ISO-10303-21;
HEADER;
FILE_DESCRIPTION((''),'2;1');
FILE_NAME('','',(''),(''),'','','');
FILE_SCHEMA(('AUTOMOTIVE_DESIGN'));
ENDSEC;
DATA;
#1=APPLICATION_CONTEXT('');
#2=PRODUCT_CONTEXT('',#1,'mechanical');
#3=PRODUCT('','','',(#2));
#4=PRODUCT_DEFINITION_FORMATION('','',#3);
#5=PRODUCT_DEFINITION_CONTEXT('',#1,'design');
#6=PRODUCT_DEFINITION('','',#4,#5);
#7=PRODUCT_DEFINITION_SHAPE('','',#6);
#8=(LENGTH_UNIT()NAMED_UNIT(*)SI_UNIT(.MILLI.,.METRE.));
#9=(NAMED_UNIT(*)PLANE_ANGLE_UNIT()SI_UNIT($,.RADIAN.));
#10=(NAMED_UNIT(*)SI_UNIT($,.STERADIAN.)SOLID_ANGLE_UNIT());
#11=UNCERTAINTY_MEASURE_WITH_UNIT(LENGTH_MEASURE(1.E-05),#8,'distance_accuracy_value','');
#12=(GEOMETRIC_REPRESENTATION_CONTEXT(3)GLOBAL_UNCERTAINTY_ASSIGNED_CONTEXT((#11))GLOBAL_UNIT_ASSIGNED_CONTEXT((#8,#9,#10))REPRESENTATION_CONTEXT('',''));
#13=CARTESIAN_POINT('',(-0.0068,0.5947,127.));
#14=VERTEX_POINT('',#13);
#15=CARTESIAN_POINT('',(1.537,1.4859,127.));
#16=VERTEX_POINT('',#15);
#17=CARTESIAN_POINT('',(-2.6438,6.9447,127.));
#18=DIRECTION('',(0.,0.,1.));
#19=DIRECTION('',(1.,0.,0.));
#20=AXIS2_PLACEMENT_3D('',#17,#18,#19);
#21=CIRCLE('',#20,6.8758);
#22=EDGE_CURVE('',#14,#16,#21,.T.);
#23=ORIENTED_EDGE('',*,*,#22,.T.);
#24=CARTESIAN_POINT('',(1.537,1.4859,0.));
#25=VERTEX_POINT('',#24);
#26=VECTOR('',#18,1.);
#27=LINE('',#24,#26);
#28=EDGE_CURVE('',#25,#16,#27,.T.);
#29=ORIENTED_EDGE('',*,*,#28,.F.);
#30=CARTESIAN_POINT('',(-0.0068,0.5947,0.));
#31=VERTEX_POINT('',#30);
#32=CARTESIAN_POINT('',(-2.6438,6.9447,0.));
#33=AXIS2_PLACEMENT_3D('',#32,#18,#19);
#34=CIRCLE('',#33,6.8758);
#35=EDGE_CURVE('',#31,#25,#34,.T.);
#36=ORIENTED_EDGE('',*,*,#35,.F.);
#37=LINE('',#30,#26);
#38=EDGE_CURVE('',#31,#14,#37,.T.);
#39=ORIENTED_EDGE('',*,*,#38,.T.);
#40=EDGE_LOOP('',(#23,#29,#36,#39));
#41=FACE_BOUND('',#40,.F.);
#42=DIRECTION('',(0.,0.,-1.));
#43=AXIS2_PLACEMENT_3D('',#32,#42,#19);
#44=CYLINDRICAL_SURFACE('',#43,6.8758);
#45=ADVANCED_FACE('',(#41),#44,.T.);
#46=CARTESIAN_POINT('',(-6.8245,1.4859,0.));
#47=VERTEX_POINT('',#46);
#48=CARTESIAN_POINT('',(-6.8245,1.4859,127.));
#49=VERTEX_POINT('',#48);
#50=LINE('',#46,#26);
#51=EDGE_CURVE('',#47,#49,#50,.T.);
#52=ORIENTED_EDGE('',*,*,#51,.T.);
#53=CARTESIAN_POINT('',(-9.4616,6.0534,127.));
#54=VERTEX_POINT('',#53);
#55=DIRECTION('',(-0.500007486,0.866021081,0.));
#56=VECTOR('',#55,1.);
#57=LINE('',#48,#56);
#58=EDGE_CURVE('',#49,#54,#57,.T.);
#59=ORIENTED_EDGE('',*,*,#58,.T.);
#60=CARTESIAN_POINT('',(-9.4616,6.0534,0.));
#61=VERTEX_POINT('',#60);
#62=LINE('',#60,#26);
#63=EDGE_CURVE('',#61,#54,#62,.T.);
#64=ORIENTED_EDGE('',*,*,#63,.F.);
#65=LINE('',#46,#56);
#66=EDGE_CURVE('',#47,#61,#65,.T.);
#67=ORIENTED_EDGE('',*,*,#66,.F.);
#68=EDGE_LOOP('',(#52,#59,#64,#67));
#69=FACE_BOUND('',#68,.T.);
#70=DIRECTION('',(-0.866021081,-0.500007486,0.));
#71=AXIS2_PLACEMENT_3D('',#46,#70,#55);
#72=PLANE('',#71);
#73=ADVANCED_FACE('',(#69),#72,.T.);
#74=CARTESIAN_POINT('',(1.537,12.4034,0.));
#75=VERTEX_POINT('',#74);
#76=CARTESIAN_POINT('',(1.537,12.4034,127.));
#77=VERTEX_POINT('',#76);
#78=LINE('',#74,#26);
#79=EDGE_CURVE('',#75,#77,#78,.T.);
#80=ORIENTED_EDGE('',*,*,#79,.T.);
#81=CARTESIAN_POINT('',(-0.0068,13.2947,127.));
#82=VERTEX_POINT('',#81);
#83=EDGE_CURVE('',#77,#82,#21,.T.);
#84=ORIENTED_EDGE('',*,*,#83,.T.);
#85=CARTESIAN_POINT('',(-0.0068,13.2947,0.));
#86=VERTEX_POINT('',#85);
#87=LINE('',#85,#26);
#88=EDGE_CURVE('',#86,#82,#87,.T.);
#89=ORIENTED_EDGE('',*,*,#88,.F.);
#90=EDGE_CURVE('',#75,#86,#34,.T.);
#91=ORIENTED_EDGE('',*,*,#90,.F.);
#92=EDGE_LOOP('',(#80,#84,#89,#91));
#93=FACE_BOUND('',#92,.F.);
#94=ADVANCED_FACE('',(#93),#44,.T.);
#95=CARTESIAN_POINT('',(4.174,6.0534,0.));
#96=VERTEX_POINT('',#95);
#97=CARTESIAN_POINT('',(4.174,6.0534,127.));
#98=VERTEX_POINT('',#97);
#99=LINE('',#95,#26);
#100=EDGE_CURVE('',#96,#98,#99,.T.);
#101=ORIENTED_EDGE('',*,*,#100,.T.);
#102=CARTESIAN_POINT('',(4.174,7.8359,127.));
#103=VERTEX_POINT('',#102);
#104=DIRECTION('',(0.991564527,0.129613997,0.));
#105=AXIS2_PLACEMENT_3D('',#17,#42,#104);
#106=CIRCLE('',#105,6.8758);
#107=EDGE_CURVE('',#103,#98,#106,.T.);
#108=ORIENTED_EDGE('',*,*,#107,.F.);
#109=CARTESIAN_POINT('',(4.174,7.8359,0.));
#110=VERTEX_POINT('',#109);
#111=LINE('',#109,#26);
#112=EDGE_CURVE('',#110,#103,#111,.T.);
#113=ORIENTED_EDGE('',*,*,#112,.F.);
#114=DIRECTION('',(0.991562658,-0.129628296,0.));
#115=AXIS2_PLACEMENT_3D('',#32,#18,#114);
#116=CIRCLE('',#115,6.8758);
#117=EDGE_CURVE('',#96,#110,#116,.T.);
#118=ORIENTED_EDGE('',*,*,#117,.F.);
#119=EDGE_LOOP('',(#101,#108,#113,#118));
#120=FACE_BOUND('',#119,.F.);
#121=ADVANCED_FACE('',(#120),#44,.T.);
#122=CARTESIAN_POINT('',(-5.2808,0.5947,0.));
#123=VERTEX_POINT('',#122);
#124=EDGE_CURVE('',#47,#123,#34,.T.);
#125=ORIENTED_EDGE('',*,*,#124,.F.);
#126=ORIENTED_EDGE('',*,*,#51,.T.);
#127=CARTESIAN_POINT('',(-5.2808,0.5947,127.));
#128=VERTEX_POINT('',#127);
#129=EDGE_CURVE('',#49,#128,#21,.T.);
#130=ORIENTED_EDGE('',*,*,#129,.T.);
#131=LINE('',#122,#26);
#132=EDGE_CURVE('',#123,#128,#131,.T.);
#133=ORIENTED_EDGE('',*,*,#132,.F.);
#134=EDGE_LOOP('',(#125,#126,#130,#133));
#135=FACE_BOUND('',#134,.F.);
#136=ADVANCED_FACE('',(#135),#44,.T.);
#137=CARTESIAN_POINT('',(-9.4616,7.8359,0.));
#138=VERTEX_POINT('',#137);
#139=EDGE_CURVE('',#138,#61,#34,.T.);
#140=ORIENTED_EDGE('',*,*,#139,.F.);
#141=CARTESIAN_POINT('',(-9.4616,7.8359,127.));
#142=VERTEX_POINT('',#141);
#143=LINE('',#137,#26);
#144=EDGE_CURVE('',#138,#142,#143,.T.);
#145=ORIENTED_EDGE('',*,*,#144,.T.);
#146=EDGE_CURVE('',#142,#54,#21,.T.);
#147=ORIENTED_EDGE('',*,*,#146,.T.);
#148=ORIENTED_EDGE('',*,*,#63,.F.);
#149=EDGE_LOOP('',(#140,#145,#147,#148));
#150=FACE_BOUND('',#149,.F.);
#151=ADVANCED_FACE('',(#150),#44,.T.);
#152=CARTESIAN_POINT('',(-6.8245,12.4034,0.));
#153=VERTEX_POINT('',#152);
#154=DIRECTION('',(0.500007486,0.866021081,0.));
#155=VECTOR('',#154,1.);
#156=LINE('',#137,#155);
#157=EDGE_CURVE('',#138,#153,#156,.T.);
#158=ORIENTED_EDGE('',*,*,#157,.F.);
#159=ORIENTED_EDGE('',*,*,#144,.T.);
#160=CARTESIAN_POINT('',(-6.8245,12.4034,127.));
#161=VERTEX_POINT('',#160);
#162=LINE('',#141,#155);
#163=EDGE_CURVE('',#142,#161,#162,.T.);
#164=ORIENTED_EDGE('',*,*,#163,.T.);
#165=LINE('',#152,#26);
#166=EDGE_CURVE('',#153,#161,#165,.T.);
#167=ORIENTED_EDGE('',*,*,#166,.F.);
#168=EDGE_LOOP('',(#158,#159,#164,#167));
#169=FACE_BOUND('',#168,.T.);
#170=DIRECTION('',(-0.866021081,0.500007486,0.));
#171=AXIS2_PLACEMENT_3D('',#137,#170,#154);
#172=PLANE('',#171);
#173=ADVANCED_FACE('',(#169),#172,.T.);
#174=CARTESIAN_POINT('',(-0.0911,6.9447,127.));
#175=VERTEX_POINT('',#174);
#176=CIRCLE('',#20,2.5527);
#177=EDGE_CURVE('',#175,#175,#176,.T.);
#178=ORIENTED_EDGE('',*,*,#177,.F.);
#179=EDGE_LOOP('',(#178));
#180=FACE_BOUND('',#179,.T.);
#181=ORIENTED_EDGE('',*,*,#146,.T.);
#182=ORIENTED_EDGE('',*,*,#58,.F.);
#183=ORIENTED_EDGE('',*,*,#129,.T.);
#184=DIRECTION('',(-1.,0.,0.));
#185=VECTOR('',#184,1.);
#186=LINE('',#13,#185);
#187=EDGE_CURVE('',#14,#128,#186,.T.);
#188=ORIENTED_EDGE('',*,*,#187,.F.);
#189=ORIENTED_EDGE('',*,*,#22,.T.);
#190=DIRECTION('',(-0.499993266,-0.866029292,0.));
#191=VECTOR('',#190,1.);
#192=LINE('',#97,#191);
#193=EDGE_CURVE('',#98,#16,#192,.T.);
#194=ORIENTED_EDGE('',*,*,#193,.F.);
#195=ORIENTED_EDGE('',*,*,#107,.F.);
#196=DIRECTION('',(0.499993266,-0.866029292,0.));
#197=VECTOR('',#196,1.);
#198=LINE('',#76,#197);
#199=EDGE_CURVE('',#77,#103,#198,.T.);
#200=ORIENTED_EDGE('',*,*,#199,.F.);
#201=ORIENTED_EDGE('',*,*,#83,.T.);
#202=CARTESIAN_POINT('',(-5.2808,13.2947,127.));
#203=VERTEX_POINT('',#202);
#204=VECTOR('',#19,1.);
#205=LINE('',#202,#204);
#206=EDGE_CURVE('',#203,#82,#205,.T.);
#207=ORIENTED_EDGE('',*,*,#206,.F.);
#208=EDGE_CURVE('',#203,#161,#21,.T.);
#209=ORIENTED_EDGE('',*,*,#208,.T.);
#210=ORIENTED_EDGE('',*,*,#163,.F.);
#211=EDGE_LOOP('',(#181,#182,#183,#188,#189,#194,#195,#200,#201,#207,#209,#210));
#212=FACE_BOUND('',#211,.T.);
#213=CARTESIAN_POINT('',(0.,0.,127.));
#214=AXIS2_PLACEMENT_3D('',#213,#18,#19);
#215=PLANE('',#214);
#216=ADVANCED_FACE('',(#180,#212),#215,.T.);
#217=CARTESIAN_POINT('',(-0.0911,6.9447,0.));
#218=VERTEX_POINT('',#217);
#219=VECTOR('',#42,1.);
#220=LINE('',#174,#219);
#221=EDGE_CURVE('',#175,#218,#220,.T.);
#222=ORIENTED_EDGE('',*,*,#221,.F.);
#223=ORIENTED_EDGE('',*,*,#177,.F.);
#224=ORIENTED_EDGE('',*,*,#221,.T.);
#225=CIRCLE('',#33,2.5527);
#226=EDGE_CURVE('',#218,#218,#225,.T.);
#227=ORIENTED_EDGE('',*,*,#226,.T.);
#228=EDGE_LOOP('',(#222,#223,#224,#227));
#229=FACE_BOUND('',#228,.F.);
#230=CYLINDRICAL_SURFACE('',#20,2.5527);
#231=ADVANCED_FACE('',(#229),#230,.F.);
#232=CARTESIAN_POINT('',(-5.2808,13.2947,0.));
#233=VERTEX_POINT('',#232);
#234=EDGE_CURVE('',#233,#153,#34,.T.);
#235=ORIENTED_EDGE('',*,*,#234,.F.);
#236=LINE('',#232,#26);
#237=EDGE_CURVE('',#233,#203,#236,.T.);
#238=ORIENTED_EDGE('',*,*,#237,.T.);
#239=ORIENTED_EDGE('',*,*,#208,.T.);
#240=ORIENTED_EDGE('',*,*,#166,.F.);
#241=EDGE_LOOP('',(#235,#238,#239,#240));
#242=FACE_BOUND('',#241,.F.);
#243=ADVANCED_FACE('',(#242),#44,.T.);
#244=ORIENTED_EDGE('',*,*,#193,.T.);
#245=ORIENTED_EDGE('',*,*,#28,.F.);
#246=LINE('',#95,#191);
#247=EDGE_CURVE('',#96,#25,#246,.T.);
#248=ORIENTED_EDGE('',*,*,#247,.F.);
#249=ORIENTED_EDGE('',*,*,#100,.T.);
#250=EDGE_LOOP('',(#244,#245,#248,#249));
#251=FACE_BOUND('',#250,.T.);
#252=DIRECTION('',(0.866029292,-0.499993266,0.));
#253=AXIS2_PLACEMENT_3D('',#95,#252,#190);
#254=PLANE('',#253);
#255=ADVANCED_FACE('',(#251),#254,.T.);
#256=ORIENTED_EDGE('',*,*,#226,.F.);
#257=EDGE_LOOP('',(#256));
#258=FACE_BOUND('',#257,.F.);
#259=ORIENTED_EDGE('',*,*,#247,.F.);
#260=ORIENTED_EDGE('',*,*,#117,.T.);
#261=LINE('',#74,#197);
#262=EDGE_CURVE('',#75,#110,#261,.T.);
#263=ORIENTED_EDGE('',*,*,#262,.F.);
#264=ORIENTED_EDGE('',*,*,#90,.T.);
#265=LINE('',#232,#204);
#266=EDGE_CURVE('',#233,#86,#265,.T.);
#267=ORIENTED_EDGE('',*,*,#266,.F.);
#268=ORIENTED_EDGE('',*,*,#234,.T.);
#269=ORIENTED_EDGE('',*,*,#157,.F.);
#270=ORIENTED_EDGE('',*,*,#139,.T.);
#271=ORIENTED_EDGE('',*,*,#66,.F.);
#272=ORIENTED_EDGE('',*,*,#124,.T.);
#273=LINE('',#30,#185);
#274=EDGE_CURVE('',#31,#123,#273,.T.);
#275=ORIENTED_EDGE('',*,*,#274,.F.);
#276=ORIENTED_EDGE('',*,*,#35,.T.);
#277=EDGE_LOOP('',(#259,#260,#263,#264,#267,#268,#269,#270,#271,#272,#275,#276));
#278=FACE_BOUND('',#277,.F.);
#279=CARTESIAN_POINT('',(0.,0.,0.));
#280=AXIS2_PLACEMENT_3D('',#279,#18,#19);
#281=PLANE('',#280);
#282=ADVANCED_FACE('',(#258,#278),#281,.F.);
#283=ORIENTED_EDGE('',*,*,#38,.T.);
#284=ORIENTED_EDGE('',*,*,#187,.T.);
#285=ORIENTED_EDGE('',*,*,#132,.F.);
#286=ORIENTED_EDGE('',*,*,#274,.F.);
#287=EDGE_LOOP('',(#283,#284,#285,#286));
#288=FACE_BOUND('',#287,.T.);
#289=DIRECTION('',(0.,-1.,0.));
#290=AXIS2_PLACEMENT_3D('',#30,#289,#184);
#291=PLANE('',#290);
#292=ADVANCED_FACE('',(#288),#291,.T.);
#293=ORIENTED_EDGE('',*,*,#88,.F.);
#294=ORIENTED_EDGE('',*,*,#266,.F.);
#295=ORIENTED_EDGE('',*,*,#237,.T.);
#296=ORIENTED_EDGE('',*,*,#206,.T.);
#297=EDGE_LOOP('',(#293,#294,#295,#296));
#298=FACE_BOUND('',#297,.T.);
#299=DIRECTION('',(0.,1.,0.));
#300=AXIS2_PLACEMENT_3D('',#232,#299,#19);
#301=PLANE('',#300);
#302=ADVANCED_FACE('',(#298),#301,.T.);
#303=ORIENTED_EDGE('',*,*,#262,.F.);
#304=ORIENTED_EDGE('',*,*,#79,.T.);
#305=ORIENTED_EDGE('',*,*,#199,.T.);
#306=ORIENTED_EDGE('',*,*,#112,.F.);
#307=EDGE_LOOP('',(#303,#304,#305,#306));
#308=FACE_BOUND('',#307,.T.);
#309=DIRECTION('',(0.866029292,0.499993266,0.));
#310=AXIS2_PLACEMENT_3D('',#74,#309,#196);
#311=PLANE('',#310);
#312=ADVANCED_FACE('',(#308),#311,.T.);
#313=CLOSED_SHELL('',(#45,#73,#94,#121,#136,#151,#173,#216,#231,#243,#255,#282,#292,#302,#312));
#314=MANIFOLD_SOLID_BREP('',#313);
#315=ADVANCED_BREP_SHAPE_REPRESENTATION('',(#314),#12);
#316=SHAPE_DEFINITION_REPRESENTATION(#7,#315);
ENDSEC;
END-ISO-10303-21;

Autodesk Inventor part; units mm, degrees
ref_plane "YZ Plane" through (0, 0, 0) normal (1, 0, 0) x (0, 1, 0)
ref_plane "XZ Plane" through (0, 0, 0) normal (0, 1, 0) x (-1, 0, 0)
ref_plane "XY Plane" through (0, 0, 0) normal (0, 0, 1) x (1, 0, 0)
sketch "Sketch1" plane through (0, 0, 0) normal (0, 0, 1) x (1, 0, 0)
  circle A0 centre (-2.6438, 6.9447) radius 6.8758
  line L0 (-9.4616, 7.8359) -> (-6.8245, 12.4034)
  line L1 (-6.8245, 1.4859) -> (-9.4616, 6.0534)
  line L2 (-0.0068, 0.5947) -> (-5.2808, 0.5947)
  line L3 (4.174, 6.0534) -> (1.537, 1.4859)
  line L4 (1.537, 12.4034) -> (4.174, 7.8359)
  line L5 (-5.2808, 13.2947) -> (-0.0068, 13.2947)
  point P0 (0, 0)
  point P1 (1.537, 1.4859)
  dimension "d0" = 13.7516
  dimension "d4" = 360
extrude "Extrusion1" add sketch "Sketch1" along normal blind 127 contours A0 L3 L2 L1 L0 L5 L4
sketch "Sketch2" plane through (0, 0, 127) normal (0, 0, 1) x (1, 0, 0)
  circle A0 centre (-2.6438, 6.9447) radius 2.5527
  line L0 (-5.2808, 0.5947) -> (-0.0068, 0.5947) projected
  line L1 (-2.6438, 6.9447) -> (-5.2808, 0.5947) construction
  line L2 (-2.6438, 6.9447) -> (-0.0068, 0.5947) construction
  point P0 (0, 0)
  dimension "d8" = 5.1054
  dimension "d9" = 6.35
extrude "Extrusion2" cut sketch "Sketch2" against normal blind 127
equation "\"d6\" = d5"
equation "\"d10\" = d5"
equation "\"d5\" = 127"
properties part number "5 shaft"
